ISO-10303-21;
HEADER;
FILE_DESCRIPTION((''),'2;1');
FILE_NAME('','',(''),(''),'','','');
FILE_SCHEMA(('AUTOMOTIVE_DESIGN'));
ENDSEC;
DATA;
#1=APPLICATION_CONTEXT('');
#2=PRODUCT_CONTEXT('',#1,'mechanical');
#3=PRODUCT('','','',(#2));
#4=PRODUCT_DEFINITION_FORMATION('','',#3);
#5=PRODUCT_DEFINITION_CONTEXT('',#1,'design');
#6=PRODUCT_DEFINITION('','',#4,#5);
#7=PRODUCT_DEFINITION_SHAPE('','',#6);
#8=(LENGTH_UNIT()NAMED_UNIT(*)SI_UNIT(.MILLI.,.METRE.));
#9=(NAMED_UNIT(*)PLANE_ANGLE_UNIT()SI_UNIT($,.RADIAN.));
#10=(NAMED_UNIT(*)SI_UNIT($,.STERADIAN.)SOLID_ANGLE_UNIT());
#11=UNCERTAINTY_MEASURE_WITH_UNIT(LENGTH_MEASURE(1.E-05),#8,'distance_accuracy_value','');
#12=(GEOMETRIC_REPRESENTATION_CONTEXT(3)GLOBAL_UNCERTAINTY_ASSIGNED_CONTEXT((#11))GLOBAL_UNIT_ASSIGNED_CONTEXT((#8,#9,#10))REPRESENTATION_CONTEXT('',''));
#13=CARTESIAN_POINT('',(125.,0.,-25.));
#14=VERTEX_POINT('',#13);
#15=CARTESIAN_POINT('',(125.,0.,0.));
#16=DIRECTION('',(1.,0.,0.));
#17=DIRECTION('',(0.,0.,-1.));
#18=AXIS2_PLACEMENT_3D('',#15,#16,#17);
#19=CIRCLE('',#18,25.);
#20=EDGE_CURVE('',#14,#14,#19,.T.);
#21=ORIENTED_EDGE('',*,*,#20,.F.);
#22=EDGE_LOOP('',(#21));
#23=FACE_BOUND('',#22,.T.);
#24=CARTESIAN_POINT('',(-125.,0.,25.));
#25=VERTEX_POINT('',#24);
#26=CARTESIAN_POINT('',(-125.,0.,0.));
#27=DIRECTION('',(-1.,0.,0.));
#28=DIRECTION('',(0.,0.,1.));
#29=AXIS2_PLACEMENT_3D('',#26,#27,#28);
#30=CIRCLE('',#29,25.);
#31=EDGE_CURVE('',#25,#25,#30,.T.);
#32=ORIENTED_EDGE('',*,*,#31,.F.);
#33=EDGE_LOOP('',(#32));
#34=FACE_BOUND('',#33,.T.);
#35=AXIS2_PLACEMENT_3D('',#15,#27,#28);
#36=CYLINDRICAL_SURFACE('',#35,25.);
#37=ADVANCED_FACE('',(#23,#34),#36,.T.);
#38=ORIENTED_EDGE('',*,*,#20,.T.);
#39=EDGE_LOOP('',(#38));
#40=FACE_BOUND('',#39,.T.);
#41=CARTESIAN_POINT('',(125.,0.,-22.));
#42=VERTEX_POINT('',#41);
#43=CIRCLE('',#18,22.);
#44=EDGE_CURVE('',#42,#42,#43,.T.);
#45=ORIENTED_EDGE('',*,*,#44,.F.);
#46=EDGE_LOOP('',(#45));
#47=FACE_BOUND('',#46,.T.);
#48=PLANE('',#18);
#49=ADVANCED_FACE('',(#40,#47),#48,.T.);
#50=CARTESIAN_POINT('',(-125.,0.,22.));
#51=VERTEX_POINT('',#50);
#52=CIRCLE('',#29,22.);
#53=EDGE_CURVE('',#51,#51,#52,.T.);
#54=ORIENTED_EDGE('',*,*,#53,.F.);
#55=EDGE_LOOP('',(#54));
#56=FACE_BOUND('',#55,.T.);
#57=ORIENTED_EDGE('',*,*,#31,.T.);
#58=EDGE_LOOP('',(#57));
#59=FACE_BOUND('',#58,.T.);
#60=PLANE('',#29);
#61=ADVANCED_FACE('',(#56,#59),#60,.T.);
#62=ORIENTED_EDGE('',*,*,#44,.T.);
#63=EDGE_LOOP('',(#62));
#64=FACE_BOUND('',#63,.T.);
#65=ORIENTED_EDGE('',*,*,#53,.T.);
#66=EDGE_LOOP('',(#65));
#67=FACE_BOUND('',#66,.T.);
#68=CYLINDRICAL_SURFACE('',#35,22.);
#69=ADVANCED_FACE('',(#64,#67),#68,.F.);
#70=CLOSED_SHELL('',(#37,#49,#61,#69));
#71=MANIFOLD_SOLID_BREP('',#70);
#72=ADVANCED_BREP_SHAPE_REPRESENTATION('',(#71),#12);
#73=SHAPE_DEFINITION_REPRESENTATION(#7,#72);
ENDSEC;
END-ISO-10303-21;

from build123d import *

# Parameters (mm, degrees)
SKETCH_1_R      = 25
SKETCH_1_R_2    = 22
EXTRUDE_1_DEPTH = 125
EXTRUDE_START   = 125
SKETCH_4_R      = 25
SKETCH_4_R_2    = 22
EXTRUDE_2_DEPTH = 125


with BuildPart() as part:
    # Эскиз1 → Бобышка-Вытянуть1 (new body)
    with BuildSketch(Plane(origin=(0, 0, 0), x_dir=(0, 0, -1), z_dir=(1, 0, 0))):
        Circle(SKETCH_1_R)
        Circle(SKETCH_1_R_2, mode=Mode.SUBTRACT)
    extrude(amount=EXTRUDE_1_DEPTH)

    # Эскиз4 → Бобышка-Вытянуть2 (add)
    with BuildSketch(Plane.ZY.offset(EXTRUDE_START)):
        Circle(SKETCH_4_R)
        Circle(SKETCH_4_R_2, mode=Mode.SUBTRACT)
    extrude(amount=-EXTRUDE_2_DEPTH)


solid = part.part
